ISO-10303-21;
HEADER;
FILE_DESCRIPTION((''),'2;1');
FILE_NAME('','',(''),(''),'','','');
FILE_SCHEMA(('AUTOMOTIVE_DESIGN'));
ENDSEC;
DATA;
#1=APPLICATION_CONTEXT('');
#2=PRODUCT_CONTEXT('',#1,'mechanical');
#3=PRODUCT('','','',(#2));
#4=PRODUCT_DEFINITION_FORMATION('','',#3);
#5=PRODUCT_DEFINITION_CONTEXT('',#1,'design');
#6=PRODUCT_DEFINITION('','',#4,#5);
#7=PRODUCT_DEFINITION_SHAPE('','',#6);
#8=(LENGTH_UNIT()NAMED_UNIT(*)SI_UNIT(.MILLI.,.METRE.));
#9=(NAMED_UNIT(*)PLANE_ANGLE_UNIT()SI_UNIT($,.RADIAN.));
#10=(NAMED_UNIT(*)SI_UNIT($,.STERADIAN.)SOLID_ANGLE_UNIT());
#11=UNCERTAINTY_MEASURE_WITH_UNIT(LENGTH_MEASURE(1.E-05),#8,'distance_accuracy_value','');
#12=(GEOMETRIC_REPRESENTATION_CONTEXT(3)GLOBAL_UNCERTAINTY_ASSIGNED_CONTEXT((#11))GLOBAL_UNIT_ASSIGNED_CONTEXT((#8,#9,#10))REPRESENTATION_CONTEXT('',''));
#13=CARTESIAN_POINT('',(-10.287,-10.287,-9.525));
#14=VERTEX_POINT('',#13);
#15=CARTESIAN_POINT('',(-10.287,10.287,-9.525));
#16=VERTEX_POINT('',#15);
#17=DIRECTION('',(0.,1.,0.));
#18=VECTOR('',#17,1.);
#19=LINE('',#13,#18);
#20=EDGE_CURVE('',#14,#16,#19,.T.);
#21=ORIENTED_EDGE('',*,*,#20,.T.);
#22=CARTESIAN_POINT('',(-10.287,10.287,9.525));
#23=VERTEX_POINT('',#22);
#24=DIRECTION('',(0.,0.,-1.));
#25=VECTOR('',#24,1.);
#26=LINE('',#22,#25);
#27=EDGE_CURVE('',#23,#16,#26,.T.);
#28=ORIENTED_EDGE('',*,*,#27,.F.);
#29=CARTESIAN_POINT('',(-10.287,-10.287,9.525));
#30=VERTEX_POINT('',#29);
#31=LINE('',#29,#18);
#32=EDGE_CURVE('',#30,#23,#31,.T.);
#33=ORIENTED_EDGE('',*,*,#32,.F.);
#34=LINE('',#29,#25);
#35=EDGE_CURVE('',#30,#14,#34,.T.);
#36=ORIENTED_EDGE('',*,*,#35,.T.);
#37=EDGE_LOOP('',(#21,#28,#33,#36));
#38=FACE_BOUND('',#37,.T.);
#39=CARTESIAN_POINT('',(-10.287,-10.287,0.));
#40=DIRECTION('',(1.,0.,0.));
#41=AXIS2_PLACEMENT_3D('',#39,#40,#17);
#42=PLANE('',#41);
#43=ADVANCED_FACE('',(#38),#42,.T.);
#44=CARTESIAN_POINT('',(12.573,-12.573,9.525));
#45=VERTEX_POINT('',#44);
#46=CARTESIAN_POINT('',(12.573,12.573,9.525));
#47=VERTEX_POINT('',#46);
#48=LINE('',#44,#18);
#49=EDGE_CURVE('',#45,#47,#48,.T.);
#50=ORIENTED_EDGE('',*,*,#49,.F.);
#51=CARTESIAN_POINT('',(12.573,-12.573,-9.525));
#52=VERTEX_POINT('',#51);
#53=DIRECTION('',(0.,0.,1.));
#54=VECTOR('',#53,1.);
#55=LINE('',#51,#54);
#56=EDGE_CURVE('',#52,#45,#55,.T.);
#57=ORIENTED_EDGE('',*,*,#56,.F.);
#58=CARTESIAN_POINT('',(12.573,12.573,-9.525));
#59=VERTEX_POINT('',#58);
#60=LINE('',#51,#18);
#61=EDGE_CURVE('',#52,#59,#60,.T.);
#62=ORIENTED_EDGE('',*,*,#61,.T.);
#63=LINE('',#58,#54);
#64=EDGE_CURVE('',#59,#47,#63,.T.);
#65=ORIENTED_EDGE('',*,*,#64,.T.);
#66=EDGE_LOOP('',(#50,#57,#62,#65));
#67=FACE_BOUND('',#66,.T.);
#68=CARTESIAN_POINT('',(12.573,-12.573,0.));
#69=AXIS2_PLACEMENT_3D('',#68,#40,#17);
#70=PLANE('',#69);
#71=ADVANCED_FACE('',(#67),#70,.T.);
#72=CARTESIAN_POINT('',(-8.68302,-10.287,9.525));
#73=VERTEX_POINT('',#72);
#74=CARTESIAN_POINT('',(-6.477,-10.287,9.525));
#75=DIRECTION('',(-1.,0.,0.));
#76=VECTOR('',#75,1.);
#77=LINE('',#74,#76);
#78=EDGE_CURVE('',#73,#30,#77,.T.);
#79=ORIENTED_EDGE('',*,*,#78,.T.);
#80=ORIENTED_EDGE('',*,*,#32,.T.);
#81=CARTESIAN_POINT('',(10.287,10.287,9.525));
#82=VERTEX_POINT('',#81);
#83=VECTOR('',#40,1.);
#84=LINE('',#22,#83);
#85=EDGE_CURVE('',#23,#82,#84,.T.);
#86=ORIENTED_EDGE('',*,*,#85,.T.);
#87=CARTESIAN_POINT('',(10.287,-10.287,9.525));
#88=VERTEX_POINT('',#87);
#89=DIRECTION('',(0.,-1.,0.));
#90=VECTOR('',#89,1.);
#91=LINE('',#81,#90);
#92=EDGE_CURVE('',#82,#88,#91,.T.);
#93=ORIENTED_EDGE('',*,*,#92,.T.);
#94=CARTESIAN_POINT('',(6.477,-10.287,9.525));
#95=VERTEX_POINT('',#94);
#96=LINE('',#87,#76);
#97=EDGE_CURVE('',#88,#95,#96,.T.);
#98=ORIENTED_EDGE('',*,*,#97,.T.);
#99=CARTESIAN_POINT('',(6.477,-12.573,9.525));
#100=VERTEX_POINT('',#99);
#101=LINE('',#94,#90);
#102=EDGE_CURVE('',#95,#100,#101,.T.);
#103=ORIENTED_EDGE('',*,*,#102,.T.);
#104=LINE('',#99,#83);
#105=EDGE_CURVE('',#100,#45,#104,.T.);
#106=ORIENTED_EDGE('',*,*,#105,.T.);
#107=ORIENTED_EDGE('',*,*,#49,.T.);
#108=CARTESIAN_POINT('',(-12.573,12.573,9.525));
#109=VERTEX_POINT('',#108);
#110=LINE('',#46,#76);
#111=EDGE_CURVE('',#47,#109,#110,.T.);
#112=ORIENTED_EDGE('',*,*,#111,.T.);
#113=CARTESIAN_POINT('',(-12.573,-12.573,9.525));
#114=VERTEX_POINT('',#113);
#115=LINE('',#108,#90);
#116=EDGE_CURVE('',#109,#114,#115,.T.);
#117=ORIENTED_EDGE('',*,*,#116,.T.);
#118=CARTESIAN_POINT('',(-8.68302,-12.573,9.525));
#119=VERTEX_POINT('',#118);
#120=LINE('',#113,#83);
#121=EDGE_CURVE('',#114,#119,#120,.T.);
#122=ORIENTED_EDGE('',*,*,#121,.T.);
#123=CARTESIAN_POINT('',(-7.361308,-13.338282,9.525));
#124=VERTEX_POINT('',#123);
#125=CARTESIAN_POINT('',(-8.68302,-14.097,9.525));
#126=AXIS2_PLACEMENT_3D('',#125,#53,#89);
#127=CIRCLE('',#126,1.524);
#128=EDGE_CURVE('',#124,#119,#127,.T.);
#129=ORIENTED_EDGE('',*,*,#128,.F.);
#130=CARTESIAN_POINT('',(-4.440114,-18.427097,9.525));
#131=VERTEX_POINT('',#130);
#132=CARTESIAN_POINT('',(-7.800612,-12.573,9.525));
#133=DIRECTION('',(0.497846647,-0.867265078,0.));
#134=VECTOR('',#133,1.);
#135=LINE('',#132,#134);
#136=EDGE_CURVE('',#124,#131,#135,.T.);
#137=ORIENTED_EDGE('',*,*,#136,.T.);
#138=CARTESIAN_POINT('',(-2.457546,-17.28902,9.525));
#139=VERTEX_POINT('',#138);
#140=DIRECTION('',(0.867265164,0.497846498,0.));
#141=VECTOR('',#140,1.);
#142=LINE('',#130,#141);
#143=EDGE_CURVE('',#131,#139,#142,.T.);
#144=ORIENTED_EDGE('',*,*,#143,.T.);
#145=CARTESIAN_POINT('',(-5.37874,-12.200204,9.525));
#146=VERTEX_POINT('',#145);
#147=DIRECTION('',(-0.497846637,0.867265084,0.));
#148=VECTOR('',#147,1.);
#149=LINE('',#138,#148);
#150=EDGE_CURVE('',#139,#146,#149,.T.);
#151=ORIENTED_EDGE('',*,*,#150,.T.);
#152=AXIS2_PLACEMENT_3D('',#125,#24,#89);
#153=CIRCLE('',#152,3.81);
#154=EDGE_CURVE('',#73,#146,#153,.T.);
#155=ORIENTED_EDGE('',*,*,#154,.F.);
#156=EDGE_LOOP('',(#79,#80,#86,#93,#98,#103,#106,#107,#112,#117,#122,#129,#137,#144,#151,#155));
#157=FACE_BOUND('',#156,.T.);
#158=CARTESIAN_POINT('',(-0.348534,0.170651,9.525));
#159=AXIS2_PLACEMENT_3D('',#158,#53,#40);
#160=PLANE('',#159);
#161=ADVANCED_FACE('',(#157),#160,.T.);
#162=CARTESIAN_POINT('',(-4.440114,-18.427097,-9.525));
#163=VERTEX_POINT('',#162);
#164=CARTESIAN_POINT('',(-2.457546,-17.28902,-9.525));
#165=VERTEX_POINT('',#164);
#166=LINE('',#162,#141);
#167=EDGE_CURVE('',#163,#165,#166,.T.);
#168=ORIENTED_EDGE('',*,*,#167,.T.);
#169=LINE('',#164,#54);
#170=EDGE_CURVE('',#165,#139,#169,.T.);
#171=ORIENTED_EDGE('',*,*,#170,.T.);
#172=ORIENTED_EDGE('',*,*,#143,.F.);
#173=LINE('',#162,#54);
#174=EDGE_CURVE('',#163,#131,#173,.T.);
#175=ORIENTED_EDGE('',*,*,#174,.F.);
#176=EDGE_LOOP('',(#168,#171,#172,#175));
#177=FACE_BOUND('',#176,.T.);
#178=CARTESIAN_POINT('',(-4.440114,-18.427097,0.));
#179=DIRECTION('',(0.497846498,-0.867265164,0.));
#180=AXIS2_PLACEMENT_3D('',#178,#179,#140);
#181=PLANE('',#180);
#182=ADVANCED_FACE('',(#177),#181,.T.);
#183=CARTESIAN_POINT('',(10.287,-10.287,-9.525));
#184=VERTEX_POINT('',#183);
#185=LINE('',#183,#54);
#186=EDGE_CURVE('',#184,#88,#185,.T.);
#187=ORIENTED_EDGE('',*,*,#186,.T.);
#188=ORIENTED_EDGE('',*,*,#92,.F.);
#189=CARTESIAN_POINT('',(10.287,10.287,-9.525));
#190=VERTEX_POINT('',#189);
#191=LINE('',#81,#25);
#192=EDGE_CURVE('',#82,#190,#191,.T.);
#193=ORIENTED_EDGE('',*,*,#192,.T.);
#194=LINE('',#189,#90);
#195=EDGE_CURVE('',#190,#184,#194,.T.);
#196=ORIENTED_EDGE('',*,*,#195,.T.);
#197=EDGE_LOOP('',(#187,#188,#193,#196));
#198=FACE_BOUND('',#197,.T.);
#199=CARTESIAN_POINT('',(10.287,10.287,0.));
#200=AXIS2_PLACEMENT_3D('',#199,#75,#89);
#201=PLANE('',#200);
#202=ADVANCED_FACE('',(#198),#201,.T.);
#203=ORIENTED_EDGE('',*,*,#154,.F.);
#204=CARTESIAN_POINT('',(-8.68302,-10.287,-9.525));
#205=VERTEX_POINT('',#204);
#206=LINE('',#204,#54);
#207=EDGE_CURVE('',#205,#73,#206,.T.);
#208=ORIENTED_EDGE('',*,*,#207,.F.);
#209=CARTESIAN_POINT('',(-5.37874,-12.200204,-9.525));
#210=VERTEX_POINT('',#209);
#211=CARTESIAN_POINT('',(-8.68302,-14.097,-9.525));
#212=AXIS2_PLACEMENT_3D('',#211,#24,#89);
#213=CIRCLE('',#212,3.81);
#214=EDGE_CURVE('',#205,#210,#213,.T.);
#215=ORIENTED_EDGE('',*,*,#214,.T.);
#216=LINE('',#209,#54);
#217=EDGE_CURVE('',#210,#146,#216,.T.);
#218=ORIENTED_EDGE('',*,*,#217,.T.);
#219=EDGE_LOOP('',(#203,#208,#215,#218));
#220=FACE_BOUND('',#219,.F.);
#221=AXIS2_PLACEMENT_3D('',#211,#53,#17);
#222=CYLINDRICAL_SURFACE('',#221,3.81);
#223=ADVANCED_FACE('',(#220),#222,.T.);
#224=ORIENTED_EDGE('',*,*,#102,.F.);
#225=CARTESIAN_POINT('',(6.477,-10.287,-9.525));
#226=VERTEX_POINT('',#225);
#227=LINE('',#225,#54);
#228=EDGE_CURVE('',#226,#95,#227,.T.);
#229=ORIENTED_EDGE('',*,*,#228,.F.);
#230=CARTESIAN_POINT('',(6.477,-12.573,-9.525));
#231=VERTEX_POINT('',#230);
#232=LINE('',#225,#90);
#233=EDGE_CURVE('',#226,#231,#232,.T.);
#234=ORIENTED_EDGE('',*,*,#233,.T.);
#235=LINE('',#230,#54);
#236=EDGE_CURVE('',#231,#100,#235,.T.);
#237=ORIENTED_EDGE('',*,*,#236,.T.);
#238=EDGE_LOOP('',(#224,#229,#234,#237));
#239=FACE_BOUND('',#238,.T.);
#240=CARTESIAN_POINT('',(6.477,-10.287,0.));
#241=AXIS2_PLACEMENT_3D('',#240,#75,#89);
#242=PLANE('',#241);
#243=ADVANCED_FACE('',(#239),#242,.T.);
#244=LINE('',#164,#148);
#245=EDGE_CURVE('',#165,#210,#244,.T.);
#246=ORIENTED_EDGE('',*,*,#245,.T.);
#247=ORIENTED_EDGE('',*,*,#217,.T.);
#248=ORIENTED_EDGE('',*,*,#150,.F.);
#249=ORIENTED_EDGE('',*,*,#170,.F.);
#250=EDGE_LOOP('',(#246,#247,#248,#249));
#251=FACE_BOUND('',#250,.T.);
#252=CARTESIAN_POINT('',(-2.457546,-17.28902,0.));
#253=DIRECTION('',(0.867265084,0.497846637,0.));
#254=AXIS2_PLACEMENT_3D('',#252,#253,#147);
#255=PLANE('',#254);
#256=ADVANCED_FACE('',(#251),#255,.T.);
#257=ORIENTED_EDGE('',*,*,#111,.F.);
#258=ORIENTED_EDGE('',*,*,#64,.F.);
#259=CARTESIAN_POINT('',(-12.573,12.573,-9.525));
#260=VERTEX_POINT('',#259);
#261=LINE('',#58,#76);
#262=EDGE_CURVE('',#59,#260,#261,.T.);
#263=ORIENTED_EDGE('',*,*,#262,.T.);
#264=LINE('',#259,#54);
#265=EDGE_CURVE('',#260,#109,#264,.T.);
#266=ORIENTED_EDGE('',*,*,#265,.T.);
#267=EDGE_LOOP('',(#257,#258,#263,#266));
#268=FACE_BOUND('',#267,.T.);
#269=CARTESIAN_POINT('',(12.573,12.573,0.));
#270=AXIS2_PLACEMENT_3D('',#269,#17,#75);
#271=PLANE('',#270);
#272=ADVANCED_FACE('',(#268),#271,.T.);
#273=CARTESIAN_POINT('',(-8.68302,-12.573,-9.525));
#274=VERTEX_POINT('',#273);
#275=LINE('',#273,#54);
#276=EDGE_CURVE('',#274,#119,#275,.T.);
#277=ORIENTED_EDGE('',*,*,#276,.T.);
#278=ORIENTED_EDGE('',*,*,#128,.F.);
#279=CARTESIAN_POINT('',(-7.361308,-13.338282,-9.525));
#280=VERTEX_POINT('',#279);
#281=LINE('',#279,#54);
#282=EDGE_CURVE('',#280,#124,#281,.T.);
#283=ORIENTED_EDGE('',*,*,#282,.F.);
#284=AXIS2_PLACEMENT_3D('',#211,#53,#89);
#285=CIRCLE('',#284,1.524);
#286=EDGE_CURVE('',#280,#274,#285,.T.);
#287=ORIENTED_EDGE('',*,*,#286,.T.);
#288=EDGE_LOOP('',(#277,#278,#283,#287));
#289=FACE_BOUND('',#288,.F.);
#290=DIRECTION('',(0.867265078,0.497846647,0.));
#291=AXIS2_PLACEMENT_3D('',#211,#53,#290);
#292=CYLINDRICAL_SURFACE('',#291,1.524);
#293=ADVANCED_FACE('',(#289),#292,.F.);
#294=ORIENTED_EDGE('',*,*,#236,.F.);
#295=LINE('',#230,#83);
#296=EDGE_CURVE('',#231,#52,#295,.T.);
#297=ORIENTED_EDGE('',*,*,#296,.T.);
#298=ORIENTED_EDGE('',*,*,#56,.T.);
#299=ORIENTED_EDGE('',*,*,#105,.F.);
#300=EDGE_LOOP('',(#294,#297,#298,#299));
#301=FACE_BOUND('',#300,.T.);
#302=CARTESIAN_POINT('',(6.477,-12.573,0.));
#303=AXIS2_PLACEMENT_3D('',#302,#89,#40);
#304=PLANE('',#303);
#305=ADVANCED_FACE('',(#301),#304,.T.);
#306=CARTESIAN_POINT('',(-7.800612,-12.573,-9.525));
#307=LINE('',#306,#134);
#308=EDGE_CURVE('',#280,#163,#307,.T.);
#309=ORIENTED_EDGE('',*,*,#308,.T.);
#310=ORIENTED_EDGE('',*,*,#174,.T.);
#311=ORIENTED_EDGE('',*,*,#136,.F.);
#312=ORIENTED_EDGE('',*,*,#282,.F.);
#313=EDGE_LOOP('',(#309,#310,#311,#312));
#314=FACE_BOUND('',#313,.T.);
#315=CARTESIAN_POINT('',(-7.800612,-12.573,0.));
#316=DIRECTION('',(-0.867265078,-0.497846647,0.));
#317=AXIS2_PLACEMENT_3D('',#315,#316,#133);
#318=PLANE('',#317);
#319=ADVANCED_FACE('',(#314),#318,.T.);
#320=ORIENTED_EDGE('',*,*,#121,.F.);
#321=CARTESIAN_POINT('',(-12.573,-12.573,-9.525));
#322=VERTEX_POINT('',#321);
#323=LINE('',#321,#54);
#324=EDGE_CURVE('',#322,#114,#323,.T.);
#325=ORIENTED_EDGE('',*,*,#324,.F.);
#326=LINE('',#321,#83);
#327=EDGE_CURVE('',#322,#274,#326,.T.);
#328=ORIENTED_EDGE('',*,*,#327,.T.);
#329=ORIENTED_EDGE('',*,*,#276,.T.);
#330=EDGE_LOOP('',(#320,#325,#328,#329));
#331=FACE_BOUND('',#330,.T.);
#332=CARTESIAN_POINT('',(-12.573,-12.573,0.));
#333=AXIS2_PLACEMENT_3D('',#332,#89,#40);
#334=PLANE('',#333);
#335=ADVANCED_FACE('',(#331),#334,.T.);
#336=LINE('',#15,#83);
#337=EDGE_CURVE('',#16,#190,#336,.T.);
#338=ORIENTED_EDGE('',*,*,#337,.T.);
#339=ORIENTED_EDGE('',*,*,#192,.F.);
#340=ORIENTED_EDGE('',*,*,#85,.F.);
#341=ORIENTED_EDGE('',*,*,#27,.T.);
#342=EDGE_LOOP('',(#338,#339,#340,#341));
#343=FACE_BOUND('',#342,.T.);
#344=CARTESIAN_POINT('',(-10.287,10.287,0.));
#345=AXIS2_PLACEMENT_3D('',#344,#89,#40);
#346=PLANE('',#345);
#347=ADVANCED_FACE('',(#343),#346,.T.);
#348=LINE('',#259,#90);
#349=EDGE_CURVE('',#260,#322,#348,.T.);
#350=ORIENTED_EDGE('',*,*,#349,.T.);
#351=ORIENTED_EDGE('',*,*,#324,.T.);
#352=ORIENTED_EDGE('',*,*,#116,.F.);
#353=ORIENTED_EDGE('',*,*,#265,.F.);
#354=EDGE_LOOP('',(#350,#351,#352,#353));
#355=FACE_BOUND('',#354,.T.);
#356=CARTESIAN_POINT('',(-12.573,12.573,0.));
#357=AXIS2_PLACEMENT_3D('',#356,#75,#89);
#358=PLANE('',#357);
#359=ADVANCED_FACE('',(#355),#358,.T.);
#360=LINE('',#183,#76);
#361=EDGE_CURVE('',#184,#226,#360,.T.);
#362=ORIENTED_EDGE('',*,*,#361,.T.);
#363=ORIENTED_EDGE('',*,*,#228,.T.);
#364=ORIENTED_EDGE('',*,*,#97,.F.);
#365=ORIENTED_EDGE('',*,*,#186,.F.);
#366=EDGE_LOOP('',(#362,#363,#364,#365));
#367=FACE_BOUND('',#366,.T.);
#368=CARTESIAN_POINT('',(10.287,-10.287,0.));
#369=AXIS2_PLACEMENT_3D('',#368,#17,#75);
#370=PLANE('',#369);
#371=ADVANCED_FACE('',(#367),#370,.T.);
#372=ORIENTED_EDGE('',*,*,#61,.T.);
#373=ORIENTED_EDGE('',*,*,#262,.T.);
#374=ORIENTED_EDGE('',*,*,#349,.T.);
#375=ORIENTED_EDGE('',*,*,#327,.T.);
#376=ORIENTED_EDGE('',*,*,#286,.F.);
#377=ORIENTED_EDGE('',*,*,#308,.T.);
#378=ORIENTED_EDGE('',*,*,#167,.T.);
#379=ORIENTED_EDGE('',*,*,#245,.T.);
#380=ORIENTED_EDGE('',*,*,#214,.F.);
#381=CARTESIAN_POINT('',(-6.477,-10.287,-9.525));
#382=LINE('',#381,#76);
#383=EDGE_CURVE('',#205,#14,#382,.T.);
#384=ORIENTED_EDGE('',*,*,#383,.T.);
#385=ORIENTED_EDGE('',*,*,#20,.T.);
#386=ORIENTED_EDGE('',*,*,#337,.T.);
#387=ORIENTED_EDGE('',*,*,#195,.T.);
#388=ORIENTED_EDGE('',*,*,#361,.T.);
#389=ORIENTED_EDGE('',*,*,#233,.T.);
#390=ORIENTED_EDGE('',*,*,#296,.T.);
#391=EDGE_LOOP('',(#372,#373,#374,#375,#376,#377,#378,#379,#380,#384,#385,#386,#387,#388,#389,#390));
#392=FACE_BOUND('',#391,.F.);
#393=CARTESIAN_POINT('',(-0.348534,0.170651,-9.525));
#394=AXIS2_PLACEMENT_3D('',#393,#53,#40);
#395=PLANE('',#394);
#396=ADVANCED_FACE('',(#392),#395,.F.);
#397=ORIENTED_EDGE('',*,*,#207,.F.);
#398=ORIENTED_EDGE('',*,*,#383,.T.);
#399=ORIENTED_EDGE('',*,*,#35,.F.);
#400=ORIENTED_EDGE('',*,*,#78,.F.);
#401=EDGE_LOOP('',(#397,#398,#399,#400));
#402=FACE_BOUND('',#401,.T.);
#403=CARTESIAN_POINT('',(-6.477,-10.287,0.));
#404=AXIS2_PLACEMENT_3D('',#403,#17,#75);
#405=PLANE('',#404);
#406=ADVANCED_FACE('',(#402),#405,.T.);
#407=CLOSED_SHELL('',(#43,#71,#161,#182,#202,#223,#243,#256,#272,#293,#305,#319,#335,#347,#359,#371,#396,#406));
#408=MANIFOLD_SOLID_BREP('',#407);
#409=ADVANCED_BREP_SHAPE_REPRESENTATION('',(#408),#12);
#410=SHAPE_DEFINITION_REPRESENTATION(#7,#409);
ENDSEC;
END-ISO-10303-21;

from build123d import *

# Parameters (mm, degrees)
F2_DEPTH = 9.525
F3_R     = 3.81
F4_R     = 1.524


with BuildPart() as f2:
    # F1 (on Top) → F2 (new body, symmetric)
    with BuildSketch(Plane.XY):
        Polygon((10.287, 10.287), (10.287, -10.287), (6.477, -10.287), (6.477, -12.573), (12.573, -12.573), (12.573, 12.573), (-12.573, 12.573), (-12.573, -12.573), (-7.800612, -12.573), (-4.440114, -18.427097), (-2.457546, -17.28902), (-6.477, -10.287), (-10.287, -10.287), (-10.287, 10.287), align=None)
    extrude(amount=F2_DEPTH, both=True)

    # F3
    f3_edges = [f2.edges().sort_by_distance(p)[0] for p in [
        (-6.477, -10.287, 0),
    ]]
    fillet(f3_edges, radius=F3_R)

    # F4
    f4_edges = [f2.edges().sort_by_distance(p)[0] for p in [
        (-7.800612, -12.573, 0),
    ]]
    fillet(f4_edges, radius=F4_R)


solid = f2.part
